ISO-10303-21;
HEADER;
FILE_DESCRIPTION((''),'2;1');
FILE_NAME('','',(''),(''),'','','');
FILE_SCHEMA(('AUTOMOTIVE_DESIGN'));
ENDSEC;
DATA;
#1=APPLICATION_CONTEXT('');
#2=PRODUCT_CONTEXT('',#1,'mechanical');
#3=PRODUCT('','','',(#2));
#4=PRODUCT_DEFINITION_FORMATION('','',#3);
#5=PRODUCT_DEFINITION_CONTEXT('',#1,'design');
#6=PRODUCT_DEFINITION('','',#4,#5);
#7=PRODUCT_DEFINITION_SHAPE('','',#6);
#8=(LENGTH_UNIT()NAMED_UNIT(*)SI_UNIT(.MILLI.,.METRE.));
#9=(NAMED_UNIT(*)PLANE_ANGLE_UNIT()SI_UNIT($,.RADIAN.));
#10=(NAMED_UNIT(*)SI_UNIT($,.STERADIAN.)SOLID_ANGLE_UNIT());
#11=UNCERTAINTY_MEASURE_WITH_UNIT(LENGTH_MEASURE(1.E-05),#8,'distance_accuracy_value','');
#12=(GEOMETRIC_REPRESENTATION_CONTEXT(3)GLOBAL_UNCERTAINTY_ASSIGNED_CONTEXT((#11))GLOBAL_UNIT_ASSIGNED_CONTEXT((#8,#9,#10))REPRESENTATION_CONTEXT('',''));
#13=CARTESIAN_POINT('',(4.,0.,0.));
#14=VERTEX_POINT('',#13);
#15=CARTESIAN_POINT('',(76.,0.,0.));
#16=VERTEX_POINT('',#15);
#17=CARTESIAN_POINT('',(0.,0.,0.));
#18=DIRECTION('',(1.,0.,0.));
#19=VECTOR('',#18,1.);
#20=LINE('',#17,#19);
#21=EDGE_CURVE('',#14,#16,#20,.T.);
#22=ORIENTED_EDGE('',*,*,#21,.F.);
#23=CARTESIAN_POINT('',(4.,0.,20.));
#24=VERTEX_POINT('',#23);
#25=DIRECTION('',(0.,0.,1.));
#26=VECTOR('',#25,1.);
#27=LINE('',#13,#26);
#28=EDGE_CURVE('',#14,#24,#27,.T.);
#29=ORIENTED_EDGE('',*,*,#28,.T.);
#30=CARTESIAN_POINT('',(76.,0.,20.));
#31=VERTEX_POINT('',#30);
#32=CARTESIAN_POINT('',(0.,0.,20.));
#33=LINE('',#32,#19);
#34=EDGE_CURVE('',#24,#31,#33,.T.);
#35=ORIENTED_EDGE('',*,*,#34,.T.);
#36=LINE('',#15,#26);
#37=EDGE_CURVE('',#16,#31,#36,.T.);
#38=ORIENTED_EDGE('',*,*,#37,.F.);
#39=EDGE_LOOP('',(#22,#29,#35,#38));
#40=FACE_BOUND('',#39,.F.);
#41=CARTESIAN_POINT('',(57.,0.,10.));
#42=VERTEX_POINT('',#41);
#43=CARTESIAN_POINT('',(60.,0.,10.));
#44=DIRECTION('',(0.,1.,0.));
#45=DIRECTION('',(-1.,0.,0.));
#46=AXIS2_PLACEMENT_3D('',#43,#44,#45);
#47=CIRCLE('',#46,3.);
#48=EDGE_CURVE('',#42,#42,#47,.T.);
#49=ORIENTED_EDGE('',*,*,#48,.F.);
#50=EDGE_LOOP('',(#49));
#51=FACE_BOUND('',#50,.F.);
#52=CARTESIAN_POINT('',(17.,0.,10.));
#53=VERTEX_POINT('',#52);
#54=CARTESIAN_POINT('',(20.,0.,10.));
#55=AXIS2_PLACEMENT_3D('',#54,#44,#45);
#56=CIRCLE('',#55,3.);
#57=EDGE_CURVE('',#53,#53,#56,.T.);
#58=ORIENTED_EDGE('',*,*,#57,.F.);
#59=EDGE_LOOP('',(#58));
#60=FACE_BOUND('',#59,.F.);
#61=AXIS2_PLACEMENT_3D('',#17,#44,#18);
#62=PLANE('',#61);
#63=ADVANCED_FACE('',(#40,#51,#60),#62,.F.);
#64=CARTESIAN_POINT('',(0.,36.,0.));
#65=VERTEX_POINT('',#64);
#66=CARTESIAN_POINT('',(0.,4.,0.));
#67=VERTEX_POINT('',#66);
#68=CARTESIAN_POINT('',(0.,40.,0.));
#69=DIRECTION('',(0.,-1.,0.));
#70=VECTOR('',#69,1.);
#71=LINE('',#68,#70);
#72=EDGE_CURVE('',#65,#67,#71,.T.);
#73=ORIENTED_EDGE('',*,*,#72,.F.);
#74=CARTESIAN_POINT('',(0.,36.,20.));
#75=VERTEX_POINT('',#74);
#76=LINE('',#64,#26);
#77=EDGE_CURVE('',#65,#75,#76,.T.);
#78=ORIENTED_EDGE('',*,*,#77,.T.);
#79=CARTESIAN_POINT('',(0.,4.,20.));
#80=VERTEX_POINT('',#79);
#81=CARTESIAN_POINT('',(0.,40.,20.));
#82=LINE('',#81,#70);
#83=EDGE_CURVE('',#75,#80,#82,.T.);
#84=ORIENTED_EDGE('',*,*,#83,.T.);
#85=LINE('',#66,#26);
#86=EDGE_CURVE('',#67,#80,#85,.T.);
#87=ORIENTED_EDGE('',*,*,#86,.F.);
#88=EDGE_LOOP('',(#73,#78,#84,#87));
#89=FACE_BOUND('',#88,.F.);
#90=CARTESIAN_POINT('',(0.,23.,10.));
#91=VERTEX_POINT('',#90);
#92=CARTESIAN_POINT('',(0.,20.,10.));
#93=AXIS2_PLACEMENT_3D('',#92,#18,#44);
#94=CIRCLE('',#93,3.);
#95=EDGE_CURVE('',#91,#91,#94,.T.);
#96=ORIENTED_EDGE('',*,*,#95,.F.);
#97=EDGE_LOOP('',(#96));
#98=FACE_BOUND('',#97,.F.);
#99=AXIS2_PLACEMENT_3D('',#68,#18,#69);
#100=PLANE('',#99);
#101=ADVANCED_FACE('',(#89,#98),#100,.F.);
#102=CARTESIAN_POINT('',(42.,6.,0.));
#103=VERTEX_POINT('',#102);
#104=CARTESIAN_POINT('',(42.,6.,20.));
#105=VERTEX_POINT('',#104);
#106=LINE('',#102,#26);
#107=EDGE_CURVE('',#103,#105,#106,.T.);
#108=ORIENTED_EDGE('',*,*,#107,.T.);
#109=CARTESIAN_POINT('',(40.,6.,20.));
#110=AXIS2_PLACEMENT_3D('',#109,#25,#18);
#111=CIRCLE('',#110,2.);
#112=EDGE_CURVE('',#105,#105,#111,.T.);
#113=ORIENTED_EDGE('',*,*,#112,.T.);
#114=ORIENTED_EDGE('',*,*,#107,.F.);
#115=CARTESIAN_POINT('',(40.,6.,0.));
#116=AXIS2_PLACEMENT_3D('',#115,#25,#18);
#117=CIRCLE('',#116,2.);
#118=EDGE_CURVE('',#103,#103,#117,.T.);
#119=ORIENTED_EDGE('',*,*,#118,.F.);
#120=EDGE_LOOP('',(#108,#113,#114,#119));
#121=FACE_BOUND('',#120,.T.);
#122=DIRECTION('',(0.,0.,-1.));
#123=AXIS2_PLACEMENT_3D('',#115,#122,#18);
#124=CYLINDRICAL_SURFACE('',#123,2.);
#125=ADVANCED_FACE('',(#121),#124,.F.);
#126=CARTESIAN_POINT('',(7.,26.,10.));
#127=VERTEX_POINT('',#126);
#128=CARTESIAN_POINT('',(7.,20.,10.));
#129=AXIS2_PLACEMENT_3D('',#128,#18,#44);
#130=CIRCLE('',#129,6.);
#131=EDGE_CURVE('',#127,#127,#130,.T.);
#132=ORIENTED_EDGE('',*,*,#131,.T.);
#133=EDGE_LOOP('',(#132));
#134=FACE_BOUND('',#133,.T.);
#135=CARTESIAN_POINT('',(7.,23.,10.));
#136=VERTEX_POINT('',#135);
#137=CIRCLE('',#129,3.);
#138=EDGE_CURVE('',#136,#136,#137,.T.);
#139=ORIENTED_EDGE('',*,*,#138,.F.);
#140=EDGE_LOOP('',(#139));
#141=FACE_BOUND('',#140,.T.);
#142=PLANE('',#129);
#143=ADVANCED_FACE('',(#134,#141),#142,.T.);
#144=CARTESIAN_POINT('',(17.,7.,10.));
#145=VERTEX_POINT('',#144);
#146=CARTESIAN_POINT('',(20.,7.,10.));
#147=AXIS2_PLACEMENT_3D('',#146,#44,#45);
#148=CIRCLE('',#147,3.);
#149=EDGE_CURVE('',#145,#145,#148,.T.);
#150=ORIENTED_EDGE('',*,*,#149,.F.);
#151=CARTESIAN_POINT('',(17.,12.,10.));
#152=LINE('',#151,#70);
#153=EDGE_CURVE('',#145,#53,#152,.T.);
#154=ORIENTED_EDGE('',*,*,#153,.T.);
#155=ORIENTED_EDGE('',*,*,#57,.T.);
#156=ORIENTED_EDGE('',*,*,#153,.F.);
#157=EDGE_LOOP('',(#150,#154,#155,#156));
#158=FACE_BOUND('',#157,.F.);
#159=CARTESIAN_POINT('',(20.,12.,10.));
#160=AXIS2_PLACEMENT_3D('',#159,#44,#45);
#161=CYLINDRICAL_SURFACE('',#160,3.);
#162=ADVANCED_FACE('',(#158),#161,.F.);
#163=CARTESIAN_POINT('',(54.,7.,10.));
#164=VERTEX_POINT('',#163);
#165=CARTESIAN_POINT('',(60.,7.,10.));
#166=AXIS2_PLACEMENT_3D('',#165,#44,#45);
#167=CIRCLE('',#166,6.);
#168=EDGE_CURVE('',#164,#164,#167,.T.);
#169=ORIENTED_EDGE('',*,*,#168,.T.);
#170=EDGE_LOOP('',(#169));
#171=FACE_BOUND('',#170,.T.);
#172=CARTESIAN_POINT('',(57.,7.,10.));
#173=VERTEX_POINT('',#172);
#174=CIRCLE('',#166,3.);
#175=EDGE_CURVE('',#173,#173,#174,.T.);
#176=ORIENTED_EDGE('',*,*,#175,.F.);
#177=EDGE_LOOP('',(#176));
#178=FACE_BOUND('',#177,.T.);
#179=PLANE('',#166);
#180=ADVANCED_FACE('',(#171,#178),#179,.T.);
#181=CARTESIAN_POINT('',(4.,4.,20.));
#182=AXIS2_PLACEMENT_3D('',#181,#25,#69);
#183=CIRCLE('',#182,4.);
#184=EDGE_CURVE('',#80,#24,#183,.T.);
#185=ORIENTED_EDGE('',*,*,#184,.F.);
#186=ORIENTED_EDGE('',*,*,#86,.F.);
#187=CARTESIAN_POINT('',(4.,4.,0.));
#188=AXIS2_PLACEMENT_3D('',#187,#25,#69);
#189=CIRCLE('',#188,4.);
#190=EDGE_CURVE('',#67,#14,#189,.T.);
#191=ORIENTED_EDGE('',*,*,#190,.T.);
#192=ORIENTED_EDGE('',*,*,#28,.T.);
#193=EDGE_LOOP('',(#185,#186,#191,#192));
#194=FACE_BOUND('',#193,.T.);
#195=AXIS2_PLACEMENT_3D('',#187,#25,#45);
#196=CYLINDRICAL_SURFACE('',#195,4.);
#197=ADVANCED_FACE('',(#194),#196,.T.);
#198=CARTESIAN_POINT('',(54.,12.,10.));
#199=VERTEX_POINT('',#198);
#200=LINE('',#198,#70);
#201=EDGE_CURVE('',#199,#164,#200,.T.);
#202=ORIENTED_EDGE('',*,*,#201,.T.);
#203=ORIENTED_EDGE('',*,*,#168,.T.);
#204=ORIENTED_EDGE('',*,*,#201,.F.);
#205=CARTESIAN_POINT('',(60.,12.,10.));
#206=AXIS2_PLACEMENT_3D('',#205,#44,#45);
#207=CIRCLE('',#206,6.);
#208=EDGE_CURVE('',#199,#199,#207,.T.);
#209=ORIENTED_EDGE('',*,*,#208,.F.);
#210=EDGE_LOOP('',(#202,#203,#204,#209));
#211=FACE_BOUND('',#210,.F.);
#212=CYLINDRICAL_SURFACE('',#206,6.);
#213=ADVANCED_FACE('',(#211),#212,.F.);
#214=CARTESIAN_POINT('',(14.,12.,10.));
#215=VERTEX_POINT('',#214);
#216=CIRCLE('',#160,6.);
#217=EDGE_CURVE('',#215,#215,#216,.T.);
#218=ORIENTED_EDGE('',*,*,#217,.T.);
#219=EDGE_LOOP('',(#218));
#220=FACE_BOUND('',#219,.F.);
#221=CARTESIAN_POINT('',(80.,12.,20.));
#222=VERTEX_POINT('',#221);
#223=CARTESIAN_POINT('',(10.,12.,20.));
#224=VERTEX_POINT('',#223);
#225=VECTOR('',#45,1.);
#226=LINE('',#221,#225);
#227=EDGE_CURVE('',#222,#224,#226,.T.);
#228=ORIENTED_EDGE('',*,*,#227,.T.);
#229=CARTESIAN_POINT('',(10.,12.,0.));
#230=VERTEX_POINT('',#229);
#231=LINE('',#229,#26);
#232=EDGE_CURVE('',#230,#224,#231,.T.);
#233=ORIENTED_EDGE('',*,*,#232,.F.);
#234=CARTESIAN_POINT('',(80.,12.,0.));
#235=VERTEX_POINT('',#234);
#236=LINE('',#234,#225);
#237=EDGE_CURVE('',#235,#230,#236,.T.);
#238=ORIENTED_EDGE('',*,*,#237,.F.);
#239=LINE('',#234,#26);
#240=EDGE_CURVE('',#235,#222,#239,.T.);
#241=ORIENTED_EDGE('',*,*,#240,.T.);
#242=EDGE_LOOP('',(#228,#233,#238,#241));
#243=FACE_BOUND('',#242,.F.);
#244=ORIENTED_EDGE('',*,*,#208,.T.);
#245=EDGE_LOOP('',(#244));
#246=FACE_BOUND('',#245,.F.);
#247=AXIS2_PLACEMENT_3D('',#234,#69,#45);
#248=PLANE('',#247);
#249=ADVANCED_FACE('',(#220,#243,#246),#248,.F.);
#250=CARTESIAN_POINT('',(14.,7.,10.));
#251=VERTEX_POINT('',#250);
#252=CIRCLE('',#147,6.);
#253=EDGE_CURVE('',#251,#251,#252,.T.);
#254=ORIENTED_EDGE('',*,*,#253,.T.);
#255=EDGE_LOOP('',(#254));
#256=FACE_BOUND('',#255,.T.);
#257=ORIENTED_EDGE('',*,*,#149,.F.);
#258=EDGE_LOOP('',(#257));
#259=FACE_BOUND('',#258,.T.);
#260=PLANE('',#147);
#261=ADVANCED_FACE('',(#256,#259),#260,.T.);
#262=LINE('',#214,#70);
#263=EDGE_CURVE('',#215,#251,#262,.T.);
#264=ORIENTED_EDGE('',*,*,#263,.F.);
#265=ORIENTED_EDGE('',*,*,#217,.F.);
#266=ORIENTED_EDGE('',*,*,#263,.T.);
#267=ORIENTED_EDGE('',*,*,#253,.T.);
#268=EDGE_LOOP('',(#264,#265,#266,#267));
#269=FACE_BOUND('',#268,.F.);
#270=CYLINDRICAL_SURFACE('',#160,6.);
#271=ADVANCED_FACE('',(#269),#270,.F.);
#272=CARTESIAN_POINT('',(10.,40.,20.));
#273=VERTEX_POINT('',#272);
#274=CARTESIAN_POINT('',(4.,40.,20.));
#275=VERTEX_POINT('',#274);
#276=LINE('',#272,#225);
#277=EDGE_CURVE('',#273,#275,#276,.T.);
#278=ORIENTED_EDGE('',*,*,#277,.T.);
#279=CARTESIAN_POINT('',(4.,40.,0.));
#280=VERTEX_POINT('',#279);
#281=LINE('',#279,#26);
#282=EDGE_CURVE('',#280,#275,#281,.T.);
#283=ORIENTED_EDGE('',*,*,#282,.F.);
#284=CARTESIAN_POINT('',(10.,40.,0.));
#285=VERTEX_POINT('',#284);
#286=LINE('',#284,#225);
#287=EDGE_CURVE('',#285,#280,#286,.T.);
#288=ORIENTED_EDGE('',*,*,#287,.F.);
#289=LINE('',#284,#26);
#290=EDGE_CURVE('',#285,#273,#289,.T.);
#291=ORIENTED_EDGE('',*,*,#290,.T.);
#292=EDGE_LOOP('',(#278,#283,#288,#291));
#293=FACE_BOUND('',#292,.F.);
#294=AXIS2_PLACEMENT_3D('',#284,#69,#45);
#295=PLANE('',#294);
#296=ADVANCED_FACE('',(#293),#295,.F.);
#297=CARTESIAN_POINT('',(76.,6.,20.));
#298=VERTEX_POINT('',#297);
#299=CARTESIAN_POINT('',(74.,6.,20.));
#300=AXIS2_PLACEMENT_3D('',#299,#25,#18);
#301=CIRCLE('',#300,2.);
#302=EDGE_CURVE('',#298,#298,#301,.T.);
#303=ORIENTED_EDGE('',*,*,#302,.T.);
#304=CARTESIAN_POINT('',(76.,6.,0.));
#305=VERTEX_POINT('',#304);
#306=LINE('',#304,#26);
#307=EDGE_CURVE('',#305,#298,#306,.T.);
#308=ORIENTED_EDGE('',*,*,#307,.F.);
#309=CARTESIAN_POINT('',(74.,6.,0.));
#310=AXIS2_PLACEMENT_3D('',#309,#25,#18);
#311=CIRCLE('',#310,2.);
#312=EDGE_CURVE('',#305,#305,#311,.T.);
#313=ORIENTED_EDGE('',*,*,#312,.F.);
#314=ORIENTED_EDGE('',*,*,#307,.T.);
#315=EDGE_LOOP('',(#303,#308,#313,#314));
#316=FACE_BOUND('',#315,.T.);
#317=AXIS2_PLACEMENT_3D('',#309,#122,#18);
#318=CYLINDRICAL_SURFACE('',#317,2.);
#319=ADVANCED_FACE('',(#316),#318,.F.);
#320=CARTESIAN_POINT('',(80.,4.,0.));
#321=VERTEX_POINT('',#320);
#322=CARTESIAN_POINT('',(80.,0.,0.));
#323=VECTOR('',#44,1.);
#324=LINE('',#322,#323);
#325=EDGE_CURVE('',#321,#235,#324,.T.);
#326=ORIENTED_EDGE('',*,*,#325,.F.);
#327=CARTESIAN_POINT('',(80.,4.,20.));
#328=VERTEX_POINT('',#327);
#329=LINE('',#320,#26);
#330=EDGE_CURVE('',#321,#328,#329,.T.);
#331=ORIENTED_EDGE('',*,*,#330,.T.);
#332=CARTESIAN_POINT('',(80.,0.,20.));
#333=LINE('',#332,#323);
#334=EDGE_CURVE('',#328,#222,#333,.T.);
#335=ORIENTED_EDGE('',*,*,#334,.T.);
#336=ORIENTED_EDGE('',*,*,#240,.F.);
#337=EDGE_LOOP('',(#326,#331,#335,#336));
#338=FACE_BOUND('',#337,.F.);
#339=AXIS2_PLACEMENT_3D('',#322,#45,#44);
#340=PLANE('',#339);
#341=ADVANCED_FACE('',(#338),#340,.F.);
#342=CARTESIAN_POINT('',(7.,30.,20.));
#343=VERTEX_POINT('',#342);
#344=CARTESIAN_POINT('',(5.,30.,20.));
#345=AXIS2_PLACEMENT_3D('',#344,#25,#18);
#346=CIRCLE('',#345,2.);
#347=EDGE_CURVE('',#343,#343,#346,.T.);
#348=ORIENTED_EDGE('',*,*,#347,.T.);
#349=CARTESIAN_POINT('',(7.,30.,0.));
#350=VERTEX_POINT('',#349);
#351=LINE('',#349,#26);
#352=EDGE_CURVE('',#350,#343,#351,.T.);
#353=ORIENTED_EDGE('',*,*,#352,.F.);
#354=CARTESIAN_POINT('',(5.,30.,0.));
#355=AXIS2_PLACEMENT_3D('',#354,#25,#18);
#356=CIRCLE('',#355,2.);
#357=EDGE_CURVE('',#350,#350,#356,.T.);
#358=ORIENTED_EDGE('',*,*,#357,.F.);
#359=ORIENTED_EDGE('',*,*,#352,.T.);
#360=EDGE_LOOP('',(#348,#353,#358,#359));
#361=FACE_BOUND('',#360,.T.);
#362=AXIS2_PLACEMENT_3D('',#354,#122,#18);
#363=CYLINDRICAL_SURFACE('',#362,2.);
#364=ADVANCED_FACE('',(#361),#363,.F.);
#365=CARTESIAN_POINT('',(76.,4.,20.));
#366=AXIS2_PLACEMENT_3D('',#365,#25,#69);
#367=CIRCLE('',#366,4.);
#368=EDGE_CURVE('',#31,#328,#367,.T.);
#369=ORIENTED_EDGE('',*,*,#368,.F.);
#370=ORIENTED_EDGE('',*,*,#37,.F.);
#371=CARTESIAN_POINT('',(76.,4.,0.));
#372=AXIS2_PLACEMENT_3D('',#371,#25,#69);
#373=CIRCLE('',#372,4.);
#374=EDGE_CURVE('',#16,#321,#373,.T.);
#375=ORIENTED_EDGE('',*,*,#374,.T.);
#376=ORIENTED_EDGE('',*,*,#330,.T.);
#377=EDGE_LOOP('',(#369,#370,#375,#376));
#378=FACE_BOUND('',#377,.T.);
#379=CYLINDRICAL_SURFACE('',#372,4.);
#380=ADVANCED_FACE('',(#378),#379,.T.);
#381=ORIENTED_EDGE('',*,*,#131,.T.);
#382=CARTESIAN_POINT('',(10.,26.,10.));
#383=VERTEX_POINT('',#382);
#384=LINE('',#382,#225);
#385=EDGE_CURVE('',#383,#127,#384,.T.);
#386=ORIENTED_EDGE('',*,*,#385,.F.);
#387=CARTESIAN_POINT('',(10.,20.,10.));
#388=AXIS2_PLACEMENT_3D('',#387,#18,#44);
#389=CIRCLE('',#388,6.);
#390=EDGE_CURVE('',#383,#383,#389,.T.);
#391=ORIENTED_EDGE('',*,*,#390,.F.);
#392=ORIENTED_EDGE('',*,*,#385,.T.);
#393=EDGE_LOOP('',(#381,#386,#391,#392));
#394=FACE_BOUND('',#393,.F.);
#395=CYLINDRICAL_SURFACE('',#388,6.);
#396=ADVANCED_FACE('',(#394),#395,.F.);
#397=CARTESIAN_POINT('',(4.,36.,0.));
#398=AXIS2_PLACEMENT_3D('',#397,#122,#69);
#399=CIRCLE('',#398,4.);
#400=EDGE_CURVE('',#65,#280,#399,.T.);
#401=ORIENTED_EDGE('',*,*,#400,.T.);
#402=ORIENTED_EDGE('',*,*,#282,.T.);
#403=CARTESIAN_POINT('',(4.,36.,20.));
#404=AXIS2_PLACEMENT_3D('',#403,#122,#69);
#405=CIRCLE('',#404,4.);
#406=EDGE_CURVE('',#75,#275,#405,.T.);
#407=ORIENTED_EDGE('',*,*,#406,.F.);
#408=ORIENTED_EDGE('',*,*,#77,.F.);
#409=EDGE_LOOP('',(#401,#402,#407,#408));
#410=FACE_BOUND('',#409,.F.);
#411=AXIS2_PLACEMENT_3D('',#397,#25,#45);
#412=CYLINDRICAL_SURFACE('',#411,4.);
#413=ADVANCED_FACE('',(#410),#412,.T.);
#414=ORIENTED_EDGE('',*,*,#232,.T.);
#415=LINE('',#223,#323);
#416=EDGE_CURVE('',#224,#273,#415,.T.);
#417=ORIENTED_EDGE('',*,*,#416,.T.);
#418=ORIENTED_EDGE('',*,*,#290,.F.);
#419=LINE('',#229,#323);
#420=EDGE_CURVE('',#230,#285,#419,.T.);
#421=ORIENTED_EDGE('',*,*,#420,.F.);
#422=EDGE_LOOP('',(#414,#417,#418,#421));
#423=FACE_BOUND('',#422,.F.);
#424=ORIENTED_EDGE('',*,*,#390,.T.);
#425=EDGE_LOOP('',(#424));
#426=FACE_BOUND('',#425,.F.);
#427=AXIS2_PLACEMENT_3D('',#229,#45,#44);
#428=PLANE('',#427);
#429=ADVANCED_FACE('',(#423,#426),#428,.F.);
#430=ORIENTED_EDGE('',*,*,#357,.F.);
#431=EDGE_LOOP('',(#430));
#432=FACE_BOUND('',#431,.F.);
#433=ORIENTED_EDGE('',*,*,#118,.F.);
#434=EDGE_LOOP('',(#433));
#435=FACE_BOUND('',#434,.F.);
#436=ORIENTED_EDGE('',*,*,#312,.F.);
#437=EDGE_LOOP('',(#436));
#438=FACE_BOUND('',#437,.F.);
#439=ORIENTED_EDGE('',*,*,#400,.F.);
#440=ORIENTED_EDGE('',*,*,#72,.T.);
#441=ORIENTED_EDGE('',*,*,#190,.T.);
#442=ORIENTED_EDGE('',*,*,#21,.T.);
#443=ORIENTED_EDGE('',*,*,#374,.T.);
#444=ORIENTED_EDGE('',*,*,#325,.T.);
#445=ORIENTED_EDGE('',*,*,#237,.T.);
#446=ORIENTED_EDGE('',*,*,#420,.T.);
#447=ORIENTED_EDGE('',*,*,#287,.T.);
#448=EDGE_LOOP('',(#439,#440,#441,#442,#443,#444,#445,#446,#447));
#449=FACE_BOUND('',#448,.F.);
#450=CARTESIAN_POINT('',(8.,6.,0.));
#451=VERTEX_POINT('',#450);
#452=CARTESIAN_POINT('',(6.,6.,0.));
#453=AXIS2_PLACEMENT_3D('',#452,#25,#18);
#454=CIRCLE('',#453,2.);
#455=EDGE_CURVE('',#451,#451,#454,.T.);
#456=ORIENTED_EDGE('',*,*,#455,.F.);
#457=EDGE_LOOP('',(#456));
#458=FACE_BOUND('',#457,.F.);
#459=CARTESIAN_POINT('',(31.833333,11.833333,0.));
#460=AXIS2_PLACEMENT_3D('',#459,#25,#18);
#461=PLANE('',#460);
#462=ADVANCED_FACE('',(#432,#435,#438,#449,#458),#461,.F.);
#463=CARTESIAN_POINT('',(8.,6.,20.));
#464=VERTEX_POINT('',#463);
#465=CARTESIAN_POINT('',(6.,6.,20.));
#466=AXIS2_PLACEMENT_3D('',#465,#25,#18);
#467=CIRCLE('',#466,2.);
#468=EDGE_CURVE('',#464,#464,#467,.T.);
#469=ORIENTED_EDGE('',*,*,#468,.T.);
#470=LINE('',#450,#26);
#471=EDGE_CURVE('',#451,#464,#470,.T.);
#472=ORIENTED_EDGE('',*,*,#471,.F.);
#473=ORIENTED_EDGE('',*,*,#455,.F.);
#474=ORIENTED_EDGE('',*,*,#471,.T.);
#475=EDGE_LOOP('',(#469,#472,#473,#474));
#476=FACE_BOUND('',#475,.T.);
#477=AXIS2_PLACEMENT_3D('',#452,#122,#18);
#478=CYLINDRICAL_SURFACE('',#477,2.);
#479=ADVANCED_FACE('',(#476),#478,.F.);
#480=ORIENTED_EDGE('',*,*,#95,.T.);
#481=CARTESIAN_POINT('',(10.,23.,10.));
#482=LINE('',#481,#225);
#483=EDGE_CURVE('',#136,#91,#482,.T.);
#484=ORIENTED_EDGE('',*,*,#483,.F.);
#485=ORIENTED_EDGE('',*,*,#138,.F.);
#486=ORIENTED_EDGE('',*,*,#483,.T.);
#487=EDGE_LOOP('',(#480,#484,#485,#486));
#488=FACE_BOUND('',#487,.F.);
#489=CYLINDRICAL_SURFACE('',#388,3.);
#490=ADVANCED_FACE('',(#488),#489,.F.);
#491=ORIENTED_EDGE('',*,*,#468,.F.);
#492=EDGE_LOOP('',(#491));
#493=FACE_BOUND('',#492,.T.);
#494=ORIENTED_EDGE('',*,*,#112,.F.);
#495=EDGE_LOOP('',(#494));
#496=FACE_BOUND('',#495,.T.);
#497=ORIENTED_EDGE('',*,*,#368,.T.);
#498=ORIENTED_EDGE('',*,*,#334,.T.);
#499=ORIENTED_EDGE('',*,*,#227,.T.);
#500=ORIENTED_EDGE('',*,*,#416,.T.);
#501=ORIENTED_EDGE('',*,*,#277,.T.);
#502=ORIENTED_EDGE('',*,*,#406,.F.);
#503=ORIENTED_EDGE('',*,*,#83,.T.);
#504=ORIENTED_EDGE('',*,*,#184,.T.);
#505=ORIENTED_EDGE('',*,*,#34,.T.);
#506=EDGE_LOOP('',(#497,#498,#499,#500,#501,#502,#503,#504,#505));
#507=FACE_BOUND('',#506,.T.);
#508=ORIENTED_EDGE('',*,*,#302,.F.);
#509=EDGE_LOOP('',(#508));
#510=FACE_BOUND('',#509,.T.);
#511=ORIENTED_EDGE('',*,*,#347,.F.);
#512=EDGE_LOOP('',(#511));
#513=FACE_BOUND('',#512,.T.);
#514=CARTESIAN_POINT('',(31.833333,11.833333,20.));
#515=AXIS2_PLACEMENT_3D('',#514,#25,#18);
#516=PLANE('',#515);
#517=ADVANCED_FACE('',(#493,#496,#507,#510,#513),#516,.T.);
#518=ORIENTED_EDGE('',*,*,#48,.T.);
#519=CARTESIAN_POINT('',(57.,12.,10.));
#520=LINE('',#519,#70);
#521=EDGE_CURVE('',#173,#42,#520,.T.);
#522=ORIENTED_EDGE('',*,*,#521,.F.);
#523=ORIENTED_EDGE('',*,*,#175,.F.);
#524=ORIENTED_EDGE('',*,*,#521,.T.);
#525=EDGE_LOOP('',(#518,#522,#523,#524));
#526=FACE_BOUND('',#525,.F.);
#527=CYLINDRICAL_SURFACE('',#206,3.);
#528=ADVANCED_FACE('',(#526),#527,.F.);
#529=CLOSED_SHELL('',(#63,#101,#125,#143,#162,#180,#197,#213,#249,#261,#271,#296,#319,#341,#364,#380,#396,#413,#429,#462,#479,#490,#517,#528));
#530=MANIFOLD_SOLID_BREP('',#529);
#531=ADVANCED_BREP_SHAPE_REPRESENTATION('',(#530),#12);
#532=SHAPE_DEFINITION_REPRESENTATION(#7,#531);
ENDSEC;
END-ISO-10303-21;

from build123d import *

# Parameters (mm, degrees)
SKETCH_R        = 2
PAD_DEPTH       = 20
FILLET_R        = 4
FILLET001_R     = 4
FILLET002_R     = 4
SKETCH001_R     = 3
POCKET_DEPTH    = 11
SKETCH002_R     = 3
POCKET001_DEPTH = 13
SKETCH003_R     = 6
POCKET002_DEPTH = 3
SKETCH004_R     = 6
POCKET003_DEPTH = 5


with BuildPart() as part:
    # Sketch → Pad (new body)
    with BuildSketch(Plane.XY):
        Polygon((80, 0), (80, 12), (10, 12), (10, 40), (0, 40), (0, 0), align=None)
        with Locations((5, 30)):
            Circle(SKETCH_R, mode=Mode.SUBTRACT)
        with Locations((6, 6)):
            Circle(SKETCH_R, mode=Mode.SUBTRACT)
        with Locations((74, 6)):
            Circle(SKETCH_R, mode=Mode.SUBTRACT)
        with Locations((40, 6)):
            Circle(SKETCH_R, mode=Mode.SUBTRACT)
    extrude(amount=PAD_DEPTH)

    # Fillet
    fillet_edges = [part.edges().sort_by_distance(p)[0] for p in [
        (0, 40, 10),
    ]]
    fillet(fillet_edges, radius=FILLET_R)

    # Fillet001
    fillet001_edges = [part.edges().sort_by_distance(p)[0] for p in [
        (0, 0, 10),
    ]]
    fillet(fillet001_edges, radius=FILLET001_R)

    # Fillet002
    fillet002_edges = [part.edges().sort_by_distance(p)[0] for p in [
        (80, 0, 10),
    ]]
    fillet(fillet002_edges, radius=FILLET002_R)

    # Sketch001 → Pocket (cut)
    with BuildSketch(Plane.YZ.offset(10)):
        with Locations((20, 10)):
            Circle(SKETCH001_R)
    extrude(amount=-POCKET_DEPTH, mode=Mode.SUBTRACT)

    # Sketch002 → Pocket001 (cut)
    with BuildSketch(Plane(origin=(0, 12, 0), x_dir=(-1, 0, 0), z_dir=(0, 1, 0))):
        with Locations((-60, 10)):
            Circle(SKETCH002_R)
        with Locations((-20, 10)):
            Circle(SKETCH002_R)
    extrude(amount=-POCKET001_DEPTH, mode=Mode.SUBTRACT)

    # Sketch003 → Pocket002 (cut)
    with BuildSketch(Plane.YZ.offset(10)):
        with Locations((20, 10)):
            Circle(SKETCH003_R)
    extrude(amount=-POCKET002_DEPTH, mode=Mode.SUBTRACT)

    # Sketch004 → Pocket003 (cut)
    with BuildSketch(Plane(origin=(0, 12, 0), x_dir=(-1, 0, 0), z_dir=(0, 1, 0))):
        with Locations((-60, 10)):
            Circle(SKETCH004_R)
        with Locations((-20, 10)):
            Circle(SKETCH004_R)
    extrude(amount=-POCKET003_DEPTH, mode=Mode.SUBTRACT)


solid = part.part
